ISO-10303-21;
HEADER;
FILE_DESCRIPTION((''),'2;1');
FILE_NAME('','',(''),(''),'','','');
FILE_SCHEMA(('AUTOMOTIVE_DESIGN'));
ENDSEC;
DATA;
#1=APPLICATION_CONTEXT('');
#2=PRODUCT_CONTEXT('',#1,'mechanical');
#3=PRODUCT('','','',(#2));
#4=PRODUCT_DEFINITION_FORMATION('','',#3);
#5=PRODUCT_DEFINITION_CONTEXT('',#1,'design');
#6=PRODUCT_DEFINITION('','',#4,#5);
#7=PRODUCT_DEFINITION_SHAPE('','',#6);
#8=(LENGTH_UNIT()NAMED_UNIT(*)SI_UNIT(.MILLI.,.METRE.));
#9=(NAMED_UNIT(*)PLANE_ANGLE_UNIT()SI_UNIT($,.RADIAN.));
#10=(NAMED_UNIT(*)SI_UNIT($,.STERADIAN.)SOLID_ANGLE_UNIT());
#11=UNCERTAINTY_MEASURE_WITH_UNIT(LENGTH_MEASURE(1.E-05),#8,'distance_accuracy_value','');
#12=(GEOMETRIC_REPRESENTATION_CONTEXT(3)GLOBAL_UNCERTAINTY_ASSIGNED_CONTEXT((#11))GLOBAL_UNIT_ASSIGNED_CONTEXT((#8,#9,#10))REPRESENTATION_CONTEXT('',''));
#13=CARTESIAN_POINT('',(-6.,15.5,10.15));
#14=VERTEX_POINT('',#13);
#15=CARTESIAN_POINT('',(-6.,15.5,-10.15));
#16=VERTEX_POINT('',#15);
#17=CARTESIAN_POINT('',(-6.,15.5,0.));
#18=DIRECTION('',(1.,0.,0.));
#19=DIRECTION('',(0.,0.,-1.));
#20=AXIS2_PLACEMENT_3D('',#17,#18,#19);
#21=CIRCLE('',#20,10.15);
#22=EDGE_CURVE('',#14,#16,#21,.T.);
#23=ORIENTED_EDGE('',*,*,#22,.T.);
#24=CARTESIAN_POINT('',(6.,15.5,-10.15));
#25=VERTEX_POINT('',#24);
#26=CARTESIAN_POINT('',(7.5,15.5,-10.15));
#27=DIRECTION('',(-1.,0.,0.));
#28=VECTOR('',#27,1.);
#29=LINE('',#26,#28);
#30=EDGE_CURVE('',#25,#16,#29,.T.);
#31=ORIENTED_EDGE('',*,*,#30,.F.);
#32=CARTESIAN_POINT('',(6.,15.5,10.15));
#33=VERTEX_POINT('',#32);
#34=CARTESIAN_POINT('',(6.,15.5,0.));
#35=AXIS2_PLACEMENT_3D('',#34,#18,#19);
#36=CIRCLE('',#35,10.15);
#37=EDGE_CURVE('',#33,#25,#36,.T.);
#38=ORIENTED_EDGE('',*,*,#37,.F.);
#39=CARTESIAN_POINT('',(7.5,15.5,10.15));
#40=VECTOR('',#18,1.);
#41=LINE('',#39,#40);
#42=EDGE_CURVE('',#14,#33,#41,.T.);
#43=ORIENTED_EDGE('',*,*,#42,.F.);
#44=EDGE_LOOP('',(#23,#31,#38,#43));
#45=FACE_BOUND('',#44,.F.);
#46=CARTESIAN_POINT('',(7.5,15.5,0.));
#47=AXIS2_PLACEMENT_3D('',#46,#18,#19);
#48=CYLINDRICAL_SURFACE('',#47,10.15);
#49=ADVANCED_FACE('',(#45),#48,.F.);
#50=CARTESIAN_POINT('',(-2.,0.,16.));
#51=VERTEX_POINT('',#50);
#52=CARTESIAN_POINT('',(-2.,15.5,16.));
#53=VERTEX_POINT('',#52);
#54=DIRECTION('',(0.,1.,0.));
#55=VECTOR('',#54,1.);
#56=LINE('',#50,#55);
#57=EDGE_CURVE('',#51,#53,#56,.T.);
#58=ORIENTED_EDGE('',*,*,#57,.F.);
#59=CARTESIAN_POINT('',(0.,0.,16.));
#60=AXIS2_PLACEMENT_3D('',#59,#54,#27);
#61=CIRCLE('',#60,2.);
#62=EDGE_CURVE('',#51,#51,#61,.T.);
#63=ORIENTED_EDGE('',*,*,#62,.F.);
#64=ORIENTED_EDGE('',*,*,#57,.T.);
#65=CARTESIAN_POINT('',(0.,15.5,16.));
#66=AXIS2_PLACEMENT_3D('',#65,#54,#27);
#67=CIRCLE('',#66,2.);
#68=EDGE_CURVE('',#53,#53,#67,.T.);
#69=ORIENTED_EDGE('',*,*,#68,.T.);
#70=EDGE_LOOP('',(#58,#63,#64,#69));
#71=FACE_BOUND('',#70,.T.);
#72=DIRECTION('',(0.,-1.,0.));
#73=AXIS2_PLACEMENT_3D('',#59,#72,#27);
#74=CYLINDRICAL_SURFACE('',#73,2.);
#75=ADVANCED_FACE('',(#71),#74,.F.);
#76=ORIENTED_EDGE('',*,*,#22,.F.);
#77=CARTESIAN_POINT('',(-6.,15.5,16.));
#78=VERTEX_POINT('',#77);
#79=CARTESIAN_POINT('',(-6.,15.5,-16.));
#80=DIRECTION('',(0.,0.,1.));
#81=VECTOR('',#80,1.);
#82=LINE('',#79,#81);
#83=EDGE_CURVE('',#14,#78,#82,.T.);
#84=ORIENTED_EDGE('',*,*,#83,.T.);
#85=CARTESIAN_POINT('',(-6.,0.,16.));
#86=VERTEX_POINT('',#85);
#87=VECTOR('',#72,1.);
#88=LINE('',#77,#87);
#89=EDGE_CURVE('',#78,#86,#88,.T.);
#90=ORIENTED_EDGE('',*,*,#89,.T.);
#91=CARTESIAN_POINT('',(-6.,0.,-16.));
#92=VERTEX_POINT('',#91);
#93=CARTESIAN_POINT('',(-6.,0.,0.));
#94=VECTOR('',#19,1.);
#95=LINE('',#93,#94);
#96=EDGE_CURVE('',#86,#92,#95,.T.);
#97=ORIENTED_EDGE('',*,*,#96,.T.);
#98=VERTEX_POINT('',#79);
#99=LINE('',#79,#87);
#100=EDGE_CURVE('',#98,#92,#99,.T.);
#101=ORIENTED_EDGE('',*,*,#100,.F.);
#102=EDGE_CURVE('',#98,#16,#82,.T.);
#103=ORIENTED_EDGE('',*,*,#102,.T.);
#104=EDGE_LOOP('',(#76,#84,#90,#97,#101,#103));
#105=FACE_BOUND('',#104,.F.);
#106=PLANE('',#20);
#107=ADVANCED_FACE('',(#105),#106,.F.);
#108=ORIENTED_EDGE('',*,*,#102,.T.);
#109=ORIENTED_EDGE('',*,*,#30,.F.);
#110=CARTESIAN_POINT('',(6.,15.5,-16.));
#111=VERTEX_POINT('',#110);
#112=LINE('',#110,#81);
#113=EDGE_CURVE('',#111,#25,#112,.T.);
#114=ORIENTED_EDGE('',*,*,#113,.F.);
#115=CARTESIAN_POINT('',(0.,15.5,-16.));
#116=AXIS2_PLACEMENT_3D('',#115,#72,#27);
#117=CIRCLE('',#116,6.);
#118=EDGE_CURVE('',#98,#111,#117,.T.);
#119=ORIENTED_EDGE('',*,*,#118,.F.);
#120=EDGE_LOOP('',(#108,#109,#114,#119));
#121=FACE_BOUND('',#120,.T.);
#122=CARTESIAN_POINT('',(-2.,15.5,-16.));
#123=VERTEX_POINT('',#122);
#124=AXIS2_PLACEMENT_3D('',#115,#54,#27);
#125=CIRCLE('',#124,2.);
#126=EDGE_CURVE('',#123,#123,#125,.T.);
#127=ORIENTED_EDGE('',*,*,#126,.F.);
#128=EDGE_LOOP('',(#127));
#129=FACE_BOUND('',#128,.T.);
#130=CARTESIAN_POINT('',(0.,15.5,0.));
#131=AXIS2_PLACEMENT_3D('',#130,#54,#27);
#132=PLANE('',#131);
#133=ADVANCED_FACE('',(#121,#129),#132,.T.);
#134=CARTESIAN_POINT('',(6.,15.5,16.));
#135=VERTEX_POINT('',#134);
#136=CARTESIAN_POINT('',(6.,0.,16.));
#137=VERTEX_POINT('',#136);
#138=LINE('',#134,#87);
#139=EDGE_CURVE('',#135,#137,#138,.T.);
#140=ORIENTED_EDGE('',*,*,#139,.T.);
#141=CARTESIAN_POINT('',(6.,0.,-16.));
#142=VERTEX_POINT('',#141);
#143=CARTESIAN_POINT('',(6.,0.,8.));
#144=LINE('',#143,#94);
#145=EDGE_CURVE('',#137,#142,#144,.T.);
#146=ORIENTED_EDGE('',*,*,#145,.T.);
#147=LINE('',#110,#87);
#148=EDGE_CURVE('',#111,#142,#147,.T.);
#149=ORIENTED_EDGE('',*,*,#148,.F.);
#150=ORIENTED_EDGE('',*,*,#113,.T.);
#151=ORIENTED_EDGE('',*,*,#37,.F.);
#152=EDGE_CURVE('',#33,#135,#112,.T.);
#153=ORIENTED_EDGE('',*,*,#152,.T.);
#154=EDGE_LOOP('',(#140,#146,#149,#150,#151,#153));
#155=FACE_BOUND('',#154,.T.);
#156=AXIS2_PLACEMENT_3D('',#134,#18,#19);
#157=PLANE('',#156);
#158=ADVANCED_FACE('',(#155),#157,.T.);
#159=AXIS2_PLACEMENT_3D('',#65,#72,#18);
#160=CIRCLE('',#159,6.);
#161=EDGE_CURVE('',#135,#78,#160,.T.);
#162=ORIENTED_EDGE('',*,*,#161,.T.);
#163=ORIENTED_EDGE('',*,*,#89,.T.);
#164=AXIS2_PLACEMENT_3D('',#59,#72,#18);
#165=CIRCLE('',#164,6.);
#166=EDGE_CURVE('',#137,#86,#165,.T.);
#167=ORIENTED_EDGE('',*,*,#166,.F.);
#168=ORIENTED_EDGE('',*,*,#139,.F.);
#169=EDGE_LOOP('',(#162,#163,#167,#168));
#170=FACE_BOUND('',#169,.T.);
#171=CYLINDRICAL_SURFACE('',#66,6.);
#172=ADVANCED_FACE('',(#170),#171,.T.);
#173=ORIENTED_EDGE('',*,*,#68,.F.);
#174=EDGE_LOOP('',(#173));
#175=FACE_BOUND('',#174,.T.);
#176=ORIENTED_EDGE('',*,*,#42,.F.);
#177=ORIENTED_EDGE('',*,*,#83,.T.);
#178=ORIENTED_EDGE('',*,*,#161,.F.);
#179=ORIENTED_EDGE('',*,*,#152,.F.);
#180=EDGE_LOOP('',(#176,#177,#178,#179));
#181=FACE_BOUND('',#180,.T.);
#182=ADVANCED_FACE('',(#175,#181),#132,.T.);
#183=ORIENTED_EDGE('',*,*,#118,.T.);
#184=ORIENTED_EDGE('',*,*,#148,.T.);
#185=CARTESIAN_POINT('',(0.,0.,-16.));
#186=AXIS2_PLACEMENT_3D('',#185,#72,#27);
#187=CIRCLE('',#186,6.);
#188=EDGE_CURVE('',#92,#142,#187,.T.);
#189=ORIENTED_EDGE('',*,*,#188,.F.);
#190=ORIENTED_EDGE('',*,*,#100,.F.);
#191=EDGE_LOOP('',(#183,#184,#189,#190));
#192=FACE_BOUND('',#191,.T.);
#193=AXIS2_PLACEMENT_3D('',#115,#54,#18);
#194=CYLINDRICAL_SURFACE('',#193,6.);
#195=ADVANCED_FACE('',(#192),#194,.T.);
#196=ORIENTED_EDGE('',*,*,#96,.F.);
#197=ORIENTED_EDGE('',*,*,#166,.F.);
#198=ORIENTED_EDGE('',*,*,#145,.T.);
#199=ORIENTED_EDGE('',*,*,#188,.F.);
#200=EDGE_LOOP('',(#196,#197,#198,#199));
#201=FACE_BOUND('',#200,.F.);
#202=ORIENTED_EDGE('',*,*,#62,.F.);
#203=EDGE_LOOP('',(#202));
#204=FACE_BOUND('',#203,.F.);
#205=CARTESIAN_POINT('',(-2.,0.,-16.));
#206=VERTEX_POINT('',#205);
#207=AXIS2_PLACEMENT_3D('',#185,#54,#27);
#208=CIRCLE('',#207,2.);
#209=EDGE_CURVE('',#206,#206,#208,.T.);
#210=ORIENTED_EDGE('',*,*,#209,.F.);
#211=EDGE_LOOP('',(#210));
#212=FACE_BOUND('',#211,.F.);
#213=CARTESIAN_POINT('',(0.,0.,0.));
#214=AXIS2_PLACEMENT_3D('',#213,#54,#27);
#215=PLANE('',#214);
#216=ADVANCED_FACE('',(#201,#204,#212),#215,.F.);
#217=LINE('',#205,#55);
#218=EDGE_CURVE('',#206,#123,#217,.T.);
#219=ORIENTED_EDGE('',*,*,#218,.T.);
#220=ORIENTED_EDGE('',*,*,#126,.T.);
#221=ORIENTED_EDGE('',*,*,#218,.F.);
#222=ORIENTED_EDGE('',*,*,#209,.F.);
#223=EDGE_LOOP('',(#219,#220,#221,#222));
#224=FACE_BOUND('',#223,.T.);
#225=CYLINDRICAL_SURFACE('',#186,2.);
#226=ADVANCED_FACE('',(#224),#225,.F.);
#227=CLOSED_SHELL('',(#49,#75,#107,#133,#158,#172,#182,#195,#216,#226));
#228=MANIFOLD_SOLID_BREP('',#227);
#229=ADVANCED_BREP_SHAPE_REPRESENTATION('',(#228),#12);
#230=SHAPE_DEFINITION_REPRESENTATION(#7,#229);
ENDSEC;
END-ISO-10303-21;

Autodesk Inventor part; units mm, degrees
ref_plane "YZ Plane" through (0, 0, 0) normal (1, 0, 0) x (0, 1, 0)
ref_plane "XZ Plane" through (0, 0, 0) normal (0, 1, 0) x (-1, 0, 0)
ref_plane "XY Plane" through (0, 0, 0) normal (0, 0, 1) x (1, 0, 0)
sketch "Эскиз1" plane through (0, 0, 0) normal (0, 1, 0) x (-1, 0, 0)
  line L0 (7.5, 22) -> (-7.5, 22)
  line L1 (-7.5, 22) -> (-7.5, -22)
  line L2 (-7.5, -22) -> (7.5, -22)
  line L3 (7.5, -22) -> (7.5, 22)
  line L4 (-7.5, 22) -> (7.5, -22) construction
  line L5 (0, 22) -> (0, -22) construction
  circle A0 centre (0, 16) radius 2
  line L6 (7.5, 0) -> (-7.5, 0) construction
  circle A1 centre (0, -16) radius 2
  point P0 (0, 0)
  point P1 (0, 0)
  dimension "d0" = 15
  dimension "d1" = 44
  dimension "d2" = 16
  dimension "d3" = 4
extrude "Выдавливание1" add sketch "Эскиз1" along normal blind 15.5
sketch "Эскиз2" plane through (7.5, 0, 22) normal (1, 0, 0) x (0, 0, -1)
  line L0 (0, 15.5) -> (44, 15.5) projected
  circle A0 centre (22, 15.5) radius 10.15
  point P0 (22, 0)
  dimension "Диаметр_мотора" = 20.3
extrude "Выдавливание2" cut sketch "Эскиз2" against normal through all
sketch "Эскиз4" plane through (0, 15.5, 0) normal (0, 1, 0) x (1, 0, 0)
  circle A0 centre (0, 16) radius 3.5
  circle A1 centre (0, 16) radius 2 projected
  line L0 (-6, 12.5) -> (6, 12.5)
  line L1 (6, 16) -> (6, 0)
  line L2 (6, 0) -> (-6, 0)
  line L3 (-6, 0) -> (-6, 16)
  line L4 (-6, 12.5) -> (6, 0) construction
  line L5 (0, 0) -> (0, 16) construction
  arc A2 (6, 16) -> (-6, 16) centre (0, 16) ccw
  line L6 (7.5, 22) -> (-7.5, 22) projected
  line L7 (6, -16) -> (6, 0)
  line L8 (-6, 0) -> (-6, -16)
  arc A3 (-6, -16) -> (6, -16) centre (0, -16) ccw
  line L9 (7.5, 22) -> (-7.5, 22) projected
  line L10 (7.5, -22) -> (7.5, 22) projected
  line L11 (-7.5, 22) -> (7.5, 22)
  line L12 (7.5, 22) -> (7.5, -22)
  line L13 (7.5, -22) -> (-7.5, -22)
  line L14 (-7.5, -22) -> (-7.5, 22)
  point P0 (0, 6.25)
  point P1 (0, 12.5)
  point P2 (0, 22)
  point P3 (0, -22)
  dimension "d12" = 7
extrude "Выдавливание3" cut sketch "Эскиз4" against normal through all contours L3 L8 A3 L13 L14 L6 A2 | L1 A2 L6 L10 L13 A3 L7
properties part number "motor_mount_edge_part2"
